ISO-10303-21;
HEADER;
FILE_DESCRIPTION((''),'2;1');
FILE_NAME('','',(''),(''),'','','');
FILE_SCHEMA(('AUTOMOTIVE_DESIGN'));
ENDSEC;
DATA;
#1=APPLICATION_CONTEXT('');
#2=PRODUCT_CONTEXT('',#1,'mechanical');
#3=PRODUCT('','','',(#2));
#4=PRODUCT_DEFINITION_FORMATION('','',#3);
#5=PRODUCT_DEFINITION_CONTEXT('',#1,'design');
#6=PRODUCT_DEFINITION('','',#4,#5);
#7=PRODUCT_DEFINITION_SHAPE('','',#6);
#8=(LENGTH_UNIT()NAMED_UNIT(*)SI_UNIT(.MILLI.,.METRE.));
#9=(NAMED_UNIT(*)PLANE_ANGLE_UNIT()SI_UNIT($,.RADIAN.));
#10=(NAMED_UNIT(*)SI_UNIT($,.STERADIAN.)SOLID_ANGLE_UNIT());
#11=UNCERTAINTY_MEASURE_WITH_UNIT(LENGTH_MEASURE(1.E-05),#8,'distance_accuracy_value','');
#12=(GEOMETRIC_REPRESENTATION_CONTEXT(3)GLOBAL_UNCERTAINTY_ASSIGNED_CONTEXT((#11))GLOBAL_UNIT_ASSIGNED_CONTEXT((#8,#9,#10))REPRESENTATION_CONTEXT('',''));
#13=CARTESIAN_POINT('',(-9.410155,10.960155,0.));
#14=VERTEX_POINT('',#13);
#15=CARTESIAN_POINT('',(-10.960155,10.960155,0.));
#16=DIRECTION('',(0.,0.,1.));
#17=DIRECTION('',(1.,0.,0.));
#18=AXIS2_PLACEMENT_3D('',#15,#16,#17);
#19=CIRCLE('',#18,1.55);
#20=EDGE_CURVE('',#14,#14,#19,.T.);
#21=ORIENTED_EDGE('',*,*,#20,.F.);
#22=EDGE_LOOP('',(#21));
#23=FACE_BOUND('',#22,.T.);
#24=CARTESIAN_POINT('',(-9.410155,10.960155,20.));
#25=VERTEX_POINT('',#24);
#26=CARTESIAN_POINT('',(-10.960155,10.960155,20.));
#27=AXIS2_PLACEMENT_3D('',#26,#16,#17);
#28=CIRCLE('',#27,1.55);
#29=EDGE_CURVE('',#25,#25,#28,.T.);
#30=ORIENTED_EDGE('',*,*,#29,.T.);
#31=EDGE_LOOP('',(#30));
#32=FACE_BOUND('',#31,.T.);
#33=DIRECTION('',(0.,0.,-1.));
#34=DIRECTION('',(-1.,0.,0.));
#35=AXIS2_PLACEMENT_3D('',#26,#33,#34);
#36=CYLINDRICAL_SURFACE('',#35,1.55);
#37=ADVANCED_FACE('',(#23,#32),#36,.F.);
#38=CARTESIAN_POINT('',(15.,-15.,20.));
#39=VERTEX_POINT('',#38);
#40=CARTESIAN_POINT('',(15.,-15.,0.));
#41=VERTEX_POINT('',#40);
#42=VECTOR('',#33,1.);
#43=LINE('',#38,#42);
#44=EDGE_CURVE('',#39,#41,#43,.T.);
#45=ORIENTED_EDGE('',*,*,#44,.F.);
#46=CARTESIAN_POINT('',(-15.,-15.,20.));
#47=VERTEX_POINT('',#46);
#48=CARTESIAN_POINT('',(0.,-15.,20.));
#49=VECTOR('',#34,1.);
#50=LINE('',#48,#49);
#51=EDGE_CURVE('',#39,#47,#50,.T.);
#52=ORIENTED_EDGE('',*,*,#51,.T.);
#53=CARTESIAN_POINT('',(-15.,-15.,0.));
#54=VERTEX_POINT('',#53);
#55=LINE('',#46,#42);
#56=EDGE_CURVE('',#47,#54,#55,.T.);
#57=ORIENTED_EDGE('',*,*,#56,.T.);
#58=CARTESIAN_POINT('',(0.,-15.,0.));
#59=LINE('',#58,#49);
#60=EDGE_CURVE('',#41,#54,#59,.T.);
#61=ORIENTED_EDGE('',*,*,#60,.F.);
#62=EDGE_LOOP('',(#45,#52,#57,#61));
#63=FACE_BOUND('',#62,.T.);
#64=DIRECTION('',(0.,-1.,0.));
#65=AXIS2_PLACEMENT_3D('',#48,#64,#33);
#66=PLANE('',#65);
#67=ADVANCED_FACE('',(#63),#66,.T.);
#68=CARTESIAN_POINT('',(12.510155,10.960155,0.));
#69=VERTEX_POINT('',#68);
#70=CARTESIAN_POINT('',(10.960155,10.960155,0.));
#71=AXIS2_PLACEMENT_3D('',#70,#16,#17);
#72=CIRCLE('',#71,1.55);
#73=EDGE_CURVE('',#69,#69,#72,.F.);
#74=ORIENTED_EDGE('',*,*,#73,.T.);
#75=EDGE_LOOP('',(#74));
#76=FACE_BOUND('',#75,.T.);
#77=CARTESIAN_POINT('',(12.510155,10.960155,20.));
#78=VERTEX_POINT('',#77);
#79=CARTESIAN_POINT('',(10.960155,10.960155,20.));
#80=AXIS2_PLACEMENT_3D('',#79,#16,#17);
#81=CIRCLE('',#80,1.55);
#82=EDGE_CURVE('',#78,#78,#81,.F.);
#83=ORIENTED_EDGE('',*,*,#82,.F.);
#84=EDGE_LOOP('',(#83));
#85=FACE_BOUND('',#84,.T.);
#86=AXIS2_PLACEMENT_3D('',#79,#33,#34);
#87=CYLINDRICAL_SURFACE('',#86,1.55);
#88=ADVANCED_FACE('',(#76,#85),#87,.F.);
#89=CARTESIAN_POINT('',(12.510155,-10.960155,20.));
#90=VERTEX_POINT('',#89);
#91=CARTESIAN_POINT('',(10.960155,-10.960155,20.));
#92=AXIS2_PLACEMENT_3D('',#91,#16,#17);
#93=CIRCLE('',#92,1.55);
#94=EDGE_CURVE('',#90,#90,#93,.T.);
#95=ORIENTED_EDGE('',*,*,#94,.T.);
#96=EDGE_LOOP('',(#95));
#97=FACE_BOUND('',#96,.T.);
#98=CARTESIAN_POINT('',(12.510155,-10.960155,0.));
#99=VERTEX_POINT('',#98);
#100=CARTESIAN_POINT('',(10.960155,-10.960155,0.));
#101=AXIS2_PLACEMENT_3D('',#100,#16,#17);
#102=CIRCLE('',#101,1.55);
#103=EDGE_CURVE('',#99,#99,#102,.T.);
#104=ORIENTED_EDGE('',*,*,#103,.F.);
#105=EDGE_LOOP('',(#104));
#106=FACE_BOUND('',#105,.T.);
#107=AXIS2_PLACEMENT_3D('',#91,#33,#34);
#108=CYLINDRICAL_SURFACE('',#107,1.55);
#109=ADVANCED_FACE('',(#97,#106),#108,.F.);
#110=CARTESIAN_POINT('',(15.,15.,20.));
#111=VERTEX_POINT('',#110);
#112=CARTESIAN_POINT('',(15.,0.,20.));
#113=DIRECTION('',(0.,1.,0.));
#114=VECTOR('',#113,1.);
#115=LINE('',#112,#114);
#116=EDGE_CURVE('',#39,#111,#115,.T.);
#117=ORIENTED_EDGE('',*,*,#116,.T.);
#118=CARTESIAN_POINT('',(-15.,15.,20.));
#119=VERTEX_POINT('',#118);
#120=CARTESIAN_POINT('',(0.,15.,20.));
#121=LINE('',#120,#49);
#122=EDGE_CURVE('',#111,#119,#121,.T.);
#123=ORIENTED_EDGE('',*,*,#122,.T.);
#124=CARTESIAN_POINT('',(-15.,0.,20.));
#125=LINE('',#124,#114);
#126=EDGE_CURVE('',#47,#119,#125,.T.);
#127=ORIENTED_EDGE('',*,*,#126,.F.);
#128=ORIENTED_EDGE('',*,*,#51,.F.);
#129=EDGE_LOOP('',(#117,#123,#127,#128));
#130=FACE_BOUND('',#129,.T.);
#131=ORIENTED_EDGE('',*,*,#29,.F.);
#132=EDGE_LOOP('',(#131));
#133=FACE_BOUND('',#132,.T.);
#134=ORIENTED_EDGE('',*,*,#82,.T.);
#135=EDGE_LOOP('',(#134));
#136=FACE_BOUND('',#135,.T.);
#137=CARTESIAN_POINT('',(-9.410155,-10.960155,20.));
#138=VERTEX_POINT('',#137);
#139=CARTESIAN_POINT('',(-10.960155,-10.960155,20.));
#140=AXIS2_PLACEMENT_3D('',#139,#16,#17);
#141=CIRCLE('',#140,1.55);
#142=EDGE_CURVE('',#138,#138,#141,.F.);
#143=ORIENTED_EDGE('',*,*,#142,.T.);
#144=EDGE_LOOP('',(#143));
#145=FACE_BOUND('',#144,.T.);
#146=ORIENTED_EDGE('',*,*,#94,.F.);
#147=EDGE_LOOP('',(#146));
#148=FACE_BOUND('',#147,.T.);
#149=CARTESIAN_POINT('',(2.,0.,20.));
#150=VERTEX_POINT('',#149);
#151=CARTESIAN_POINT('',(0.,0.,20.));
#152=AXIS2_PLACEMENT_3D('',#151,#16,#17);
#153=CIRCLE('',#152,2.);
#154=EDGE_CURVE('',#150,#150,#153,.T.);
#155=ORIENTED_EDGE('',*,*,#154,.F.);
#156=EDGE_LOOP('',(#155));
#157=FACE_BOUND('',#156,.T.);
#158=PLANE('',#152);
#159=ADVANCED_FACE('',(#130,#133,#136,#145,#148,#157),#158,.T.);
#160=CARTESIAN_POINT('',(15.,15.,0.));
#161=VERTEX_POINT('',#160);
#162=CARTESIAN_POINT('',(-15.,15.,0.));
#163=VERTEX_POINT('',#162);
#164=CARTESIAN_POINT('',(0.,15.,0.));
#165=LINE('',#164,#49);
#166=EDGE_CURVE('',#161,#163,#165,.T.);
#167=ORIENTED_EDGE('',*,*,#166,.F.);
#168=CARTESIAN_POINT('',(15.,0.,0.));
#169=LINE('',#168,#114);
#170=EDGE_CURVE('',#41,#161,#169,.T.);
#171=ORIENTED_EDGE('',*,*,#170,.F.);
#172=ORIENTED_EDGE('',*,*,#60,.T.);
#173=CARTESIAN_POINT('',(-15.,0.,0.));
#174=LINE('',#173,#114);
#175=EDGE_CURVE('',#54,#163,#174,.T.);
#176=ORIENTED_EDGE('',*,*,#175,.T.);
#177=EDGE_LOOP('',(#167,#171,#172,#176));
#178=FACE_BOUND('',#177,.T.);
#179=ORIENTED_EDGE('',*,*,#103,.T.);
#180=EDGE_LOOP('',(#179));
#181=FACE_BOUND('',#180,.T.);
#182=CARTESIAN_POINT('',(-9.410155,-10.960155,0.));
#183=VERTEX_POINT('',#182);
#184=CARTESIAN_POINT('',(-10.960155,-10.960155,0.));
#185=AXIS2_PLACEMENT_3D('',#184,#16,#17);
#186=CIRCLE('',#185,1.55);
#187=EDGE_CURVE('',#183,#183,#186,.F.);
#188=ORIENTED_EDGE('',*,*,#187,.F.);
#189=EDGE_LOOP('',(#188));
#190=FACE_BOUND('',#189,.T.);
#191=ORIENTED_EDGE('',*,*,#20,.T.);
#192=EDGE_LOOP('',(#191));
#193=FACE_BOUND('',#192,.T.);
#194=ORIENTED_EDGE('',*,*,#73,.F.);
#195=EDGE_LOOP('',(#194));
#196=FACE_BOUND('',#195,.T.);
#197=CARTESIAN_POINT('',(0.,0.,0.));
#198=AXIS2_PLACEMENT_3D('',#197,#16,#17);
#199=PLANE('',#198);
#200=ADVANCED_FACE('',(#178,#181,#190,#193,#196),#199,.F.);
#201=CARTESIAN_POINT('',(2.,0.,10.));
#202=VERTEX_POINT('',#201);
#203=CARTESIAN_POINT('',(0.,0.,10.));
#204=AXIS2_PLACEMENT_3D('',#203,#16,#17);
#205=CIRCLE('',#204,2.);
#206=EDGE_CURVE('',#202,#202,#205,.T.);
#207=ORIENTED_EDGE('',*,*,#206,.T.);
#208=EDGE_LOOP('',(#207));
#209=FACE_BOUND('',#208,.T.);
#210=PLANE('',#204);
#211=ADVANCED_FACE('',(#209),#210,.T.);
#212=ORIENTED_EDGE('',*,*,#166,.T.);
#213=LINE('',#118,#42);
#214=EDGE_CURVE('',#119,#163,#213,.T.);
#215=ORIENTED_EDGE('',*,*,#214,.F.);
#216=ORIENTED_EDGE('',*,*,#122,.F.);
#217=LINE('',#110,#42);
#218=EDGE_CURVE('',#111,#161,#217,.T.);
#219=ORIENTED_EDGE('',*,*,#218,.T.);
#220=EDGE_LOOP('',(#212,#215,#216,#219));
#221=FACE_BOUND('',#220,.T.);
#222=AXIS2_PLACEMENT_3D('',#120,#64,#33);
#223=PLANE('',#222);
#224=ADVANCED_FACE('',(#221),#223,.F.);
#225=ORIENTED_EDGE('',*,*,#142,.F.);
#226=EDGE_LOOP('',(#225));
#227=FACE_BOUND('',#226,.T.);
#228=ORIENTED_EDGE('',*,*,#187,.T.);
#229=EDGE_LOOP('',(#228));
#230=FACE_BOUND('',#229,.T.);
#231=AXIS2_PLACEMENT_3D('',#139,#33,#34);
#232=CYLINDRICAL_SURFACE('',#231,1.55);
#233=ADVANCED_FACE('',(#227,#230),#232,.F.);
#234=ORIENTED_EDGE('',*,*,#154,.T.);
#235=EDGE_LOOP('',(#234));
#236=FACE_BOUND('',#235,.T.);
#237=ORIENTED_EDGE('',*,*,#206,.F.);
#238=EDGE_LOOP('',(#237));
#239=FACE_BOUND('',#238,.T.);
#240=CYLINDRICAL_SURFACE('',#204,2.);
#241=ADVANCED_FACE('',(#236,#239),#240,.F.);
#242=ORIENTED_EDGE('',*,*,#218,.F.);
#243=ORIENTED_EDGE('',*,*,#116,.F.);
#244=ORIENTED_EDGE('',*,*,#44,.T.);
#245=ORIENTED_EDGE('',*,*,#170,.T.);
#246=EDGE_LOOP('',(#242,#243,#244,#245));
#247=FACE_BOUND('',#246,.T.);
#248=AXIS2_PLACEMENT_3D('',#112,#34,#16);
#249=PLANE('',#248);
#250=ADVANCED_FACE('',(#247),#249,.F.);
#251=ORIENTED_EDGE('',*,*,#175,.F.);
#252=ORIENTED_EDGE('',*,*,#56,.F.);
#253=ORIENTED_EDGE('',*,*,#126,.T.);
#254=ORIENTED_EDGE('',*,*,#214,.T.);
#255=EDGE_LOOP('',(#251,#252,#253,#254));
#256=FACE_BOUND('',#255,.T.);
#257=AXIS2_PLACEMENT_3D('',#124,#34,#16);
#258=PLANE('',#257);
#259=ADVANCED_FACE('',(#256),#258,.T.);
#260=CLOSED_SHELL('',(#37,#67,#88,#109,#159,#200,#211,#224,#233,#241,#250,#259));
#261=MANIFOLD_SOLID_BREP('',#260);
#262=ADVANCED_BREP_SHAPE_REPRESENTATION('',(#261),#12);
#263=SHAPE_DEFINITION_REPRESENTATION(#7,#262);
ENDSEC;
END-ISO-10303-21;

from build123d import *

# Parameters (mm, degrees)
SKETCH1_W           = 30
SKETCH1_H           = 30
SKETCH1_R           = 1.55
BOSS_EXTRUDE1_DEPTH = 20
SKETCH3_R           = 2
CUT_EXTRUDE1_DEPTH  = 10


with BuildPart() as part:
    # Sketch1 → Boss-Extrude1 (new body)
    with BuildSketch(Plane.XY):
        Rectangle(SKETCH1_W, SKETCH1_H)
        with Locations((-10.960155108, 10.960155108)):
            Circle(SKETCH1_R, mode=Mode.SUBTRACT)
        with Locations((10.960155108, 10.960155108)):
            Circle(SKETCH1_R, mode=Mode.SUBTRACT)
        with Locations((10.960155108, -10.960155108)):
            Circle(SKETCH1_R, mode=Mode.SUBTRACT)
        with Locations((-10.960155108, -10.960155108)):
            Circle(SKETCH1_R, mode=Mode.SUBTRACT)
    extrude(amount=BOSS_EXTRUDE1_DEPTH)

    # Sketch3 → Cut-Extrude1 (cut)
    with BuildSketch(Plane.XY.offset(20)):
        Circle(SKETCH3_R)
    extrude(amount=-CUT_EXTRUDE1_DEPTH, mode=Mode.SUBTRACT)


solid = part.part
